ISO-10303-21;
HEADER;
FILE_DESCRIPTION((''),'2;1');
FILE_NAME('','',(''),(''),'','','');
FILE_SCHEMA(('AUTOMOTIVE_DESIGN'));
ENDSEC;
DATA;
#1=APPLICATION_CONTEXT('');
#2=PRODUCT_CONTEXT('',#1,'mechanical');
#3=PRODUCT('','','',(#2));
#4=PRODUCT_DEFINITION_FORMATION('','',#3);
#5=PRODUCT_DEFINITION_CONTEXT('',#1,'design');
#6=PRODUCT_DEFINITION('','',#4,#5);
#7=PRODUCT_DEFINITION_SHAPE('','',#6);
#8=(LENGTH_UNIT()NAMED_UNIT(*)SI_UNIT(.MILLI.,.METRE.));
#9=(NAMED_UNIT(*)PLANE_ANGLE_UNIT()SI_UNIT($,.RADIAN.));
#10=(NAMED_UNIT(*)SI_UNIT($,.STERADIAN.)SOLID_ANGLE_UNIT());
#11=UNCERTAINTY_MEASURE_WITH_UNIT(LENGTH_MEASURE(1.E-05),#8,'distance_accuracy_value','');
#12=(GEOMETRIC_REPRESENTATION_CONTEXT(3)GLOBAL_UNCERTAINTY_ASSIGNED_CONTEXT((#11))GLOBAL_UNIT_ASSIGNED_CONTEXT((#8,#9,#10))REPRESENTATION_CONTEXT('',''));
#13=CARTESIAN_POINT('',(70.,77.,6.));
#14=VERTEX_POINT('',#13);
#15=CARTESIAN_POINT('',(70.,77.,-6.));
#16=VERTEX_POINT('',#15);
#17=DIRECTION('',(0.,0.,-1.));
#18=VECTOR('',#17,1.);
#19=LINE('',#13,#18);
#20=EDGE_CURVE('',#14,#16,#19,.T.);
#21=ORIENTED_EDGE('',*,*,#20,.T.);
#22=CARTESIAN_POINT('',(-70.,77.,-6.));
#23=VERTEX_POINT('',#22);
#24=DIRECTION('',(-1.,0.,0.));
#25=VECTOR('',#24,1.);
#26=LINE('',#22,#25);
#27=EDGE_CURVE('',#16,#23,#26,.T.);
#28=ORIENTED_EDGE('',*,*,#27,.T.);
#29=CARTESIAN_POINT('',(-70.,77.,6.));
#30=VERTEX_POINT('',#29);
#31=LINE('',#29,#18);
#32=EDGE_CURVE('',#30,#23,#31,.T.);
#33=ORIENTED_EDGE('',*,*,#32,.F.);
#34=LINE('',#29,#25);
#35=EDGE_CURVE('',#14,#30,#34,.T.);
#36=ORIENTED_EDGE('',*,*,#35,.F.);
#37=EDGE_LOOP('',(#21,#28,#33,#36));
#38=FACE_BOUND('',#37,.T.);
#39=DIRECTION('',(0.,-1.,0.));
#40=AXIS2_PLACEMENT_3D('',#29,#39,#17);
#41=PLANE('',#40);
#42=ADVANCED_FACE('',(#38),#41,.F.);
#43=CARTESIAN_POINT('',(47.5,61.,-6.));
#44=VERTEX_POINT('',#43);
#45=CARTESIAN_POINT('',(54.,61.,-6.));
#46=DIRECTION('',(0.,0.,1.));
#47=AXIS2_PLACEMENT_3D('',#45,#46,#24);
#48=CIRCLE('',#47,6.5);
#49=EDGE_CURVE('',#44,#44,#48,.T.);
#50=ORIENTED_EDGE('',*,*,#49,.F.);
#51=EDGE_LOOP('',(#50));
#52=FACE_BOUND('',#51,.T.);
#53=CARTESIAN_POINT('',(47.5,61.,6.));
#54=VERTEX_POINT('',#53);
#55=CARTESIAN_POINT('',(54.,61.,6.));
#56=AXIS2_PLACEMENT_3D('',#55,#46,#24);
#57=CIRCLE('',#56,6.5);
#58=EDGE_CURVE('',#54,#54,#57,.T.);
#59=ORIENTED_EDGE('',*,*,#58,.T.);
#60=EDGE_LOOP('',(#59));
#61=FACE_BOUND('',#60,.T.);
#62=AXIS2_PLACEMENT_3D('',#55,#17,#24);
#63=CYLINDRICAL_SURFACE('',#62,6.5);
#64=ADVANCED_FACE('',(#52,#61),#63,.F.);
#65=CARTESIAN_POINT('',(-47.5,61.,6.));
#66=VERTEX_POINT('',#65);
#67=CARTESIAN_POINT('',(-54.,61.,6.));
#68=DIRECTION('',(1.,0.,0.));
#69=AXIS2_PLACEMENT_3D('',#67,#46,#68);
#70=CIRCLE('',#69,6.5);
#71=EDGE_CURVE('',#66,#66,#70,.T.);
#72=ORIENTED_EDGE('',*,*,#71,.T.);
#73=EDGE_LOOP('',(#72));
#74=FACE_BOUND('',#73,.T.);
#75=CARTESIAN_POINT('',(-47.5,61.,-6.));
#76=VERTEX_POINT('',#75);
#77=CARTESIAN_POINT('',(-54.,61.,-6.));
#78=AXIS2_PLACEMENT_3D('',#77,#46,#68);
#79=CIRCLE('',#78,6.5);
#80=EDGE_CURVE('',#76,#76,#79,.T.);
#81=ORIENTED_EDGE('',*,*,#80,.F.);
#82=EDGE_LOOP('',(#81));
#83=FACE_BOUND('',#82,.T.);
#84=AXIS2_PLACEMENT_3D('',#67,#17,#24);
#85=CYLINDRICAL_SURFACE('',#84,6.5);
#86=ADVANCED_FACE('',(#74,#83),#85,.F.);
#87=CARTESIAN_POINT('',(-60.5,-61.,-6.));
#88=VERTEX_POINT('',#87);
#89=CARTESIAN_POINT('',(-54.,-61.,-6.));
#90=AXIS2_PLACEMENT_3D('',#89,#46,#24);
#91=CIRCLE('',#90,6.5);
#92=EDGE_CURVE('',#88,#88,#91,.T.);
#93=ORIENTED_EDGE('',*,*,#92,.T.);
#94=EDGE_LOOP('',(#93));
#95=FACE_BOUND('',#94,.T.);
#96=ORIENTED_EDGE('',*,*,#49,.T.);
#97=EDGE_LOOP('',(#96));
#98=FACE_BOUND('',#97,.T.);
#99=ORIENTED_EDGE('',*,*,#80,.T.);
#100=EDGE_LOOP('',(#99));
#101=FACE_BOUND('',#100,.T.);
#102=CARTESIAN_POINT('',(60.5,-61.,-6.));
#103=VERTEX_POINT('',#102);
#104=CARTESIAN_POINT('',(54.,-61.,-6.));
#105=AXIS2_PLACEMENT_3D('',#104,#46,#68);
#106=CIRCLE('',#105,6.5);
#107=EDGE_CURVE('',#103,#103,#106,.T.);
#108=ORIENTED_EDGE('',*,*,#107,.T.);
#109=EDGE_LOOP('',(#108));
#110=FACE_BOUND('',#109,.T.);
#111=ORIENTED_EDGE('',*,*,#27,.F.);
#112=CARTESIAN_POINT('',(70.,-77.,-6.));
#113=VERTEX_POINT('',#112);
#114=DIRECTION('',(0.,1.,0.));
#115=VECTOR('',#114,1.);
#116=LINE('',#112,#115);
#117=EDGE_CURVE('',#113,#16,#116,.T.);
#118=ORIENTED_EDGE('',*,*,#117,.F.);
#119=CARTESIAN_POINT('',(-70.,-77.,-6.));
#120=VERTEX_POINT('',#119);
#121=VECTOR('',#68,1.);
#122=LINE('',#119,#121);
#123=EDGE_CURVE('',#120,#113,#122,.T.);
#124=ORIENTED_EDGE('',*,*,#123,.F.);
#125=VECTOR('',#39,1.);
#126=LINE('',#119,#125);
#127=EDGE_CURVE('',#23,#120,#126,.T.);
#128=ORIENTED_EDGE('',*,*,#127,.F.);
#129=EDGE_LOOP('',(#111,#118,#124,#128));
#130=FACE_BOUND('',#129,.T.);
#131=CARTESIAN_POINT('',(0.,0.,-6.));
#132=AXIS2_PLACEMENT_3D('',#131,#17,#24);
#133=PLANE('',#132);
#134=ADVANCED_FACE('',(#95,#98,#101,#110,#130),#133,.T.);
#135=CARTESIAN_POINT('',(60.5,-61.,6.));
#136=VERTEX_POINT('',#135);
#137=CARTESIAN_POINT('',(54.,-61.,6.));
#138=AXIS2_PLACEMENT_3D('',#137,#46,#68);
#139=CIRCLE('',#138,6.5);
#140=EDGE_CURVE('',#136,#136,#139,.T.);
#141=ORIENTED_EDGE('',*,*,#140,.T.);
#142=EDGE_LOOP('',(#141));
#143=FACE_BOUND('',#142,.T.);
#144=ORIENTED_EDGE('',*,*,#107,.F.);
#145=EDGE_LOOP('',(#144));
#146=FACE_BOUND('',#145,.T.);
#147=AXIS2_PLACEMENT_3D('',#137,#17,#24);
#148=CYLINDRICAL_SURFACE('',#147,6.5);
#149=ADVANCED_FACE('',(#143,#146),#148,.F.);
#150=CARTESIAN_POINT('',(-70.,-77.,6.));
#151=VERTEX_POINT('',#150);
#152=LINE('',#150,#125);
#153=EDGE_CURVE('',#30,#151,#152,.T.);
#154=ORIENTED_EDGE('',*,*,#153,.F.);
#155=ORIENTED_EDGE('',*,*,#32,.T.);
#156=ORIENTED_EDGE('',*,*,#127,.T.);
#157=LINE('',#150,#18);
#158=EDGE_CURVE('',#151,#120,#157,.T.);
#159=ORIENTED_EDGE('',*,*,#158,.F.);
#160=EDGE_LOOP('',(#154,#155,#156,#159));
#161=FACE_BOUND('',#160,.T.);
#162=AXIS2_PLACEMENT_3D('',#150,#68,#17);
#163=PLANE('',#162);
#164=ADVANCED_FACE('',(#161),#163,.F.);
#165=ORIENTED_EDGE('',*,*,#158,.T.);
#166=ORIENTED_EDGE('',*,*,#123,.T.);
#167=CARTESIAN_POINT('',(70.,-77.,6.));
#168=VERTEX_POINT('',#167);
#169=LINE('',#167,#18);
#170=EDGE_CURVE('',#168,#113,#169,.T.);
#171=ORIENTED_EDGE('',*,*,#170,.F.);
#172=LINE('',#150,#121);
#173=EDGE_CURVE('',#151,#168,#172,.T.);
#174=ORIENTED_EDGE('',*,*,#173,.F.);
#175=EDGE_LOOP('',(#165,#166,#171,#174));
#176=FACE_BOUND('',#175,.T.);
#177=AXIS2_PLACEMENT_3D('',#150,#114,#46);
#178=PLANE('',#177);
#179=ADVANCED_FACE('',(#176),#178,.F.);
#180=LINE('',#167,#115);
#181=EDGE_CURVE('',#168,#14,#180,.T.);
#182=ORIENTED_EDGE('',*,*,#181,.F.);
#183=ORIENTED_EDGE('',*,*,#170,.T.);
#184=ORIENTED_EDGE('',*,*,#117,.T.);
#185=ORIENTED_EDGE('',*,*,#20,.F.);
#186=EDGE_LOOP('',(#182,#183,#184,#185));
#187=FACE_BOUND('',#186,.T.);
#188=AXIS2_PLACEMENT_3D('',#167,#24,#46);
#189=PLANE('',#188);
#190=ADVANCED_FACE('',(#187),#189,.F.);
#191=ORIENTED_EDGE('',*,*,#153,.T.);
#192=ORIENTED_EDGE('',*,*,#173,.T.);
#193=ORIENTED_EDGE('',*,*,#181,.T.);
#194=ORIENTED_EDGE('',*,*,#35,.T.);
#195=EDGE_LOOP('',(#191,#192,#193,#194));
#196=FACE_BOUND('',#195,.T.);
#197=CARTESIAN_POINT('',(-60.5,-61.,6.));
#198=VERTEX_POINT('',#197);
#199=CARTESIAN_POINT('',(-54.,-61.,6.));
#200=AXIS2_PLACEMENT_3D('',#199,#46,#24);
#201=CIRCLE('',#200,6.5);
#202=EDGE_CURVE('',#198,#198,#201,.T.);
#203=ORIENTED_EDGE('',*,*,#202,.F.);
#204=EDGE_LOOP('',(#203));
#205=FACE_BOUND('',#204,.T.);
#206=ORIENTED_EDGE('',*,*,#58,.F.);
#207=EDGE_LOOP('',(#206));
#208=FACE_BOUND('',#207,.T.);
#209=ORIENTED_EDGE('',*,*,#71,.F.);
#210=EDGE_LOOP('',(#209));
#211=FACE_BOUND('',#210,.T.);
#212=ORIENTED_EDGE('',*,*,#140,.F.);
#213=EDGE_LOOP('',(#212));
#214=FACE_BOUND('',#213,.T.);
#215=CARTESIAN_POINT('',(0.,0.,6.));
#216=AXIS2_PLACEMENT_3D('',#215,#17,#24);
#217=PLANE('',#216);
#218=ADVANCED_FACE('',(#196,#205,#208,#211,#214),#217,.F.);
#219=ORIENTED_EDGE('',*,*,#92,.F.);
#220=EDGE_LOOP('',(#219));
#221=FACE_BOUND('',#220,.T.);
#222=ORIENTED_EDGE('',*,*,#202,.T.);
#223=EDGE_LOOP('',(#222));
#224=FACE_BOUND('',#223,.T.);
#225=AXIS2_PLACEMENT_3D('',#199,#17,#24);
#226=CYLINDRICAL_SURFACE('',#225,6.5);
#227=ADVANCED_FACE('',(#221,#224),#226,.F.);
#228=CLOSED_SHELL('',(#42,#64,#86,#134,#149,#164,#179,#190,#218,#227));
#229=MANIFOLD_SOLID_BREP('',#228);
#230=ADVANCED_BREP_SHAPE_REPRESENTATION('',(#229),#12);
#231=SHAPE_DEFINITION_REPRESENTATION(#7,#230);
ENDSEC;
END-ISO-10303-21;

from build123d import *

# Parameters (mm, degrees)
SKETCH1_W           = 140
SKETCH1_H           = 154
SKETCH1_R           = 6.5
BOSS_EXTRUDE1_DEPTH = 6


with BuildPart() as part:
    # Sketch1 → Boss-Extrude1 (new body, symmetric)
    with BuildSketch(Plane.XY):
        Rectangle(SKETCH1_W, SKETCH1_H)
        with Locations((-54, 61)):
            Circle(SKETCH1_R, mode=Mode.SUBTRACT)
        with Locations((54, 61)):
            Circle(SKETCH1_R, mode=Mode.SUBTRACT)
        with Locations((-54, -61)):
            Circle(SKETCH1_R, mode=Mode.SUBTRACT)
        with Locations((54, -61)):
            Circle(SKETCH1_R, mode=Mode.SUBTRACT)
    extrude(amount=BOSS_EXTRUDE1_DEPTH, both=True)


solid = part.part
